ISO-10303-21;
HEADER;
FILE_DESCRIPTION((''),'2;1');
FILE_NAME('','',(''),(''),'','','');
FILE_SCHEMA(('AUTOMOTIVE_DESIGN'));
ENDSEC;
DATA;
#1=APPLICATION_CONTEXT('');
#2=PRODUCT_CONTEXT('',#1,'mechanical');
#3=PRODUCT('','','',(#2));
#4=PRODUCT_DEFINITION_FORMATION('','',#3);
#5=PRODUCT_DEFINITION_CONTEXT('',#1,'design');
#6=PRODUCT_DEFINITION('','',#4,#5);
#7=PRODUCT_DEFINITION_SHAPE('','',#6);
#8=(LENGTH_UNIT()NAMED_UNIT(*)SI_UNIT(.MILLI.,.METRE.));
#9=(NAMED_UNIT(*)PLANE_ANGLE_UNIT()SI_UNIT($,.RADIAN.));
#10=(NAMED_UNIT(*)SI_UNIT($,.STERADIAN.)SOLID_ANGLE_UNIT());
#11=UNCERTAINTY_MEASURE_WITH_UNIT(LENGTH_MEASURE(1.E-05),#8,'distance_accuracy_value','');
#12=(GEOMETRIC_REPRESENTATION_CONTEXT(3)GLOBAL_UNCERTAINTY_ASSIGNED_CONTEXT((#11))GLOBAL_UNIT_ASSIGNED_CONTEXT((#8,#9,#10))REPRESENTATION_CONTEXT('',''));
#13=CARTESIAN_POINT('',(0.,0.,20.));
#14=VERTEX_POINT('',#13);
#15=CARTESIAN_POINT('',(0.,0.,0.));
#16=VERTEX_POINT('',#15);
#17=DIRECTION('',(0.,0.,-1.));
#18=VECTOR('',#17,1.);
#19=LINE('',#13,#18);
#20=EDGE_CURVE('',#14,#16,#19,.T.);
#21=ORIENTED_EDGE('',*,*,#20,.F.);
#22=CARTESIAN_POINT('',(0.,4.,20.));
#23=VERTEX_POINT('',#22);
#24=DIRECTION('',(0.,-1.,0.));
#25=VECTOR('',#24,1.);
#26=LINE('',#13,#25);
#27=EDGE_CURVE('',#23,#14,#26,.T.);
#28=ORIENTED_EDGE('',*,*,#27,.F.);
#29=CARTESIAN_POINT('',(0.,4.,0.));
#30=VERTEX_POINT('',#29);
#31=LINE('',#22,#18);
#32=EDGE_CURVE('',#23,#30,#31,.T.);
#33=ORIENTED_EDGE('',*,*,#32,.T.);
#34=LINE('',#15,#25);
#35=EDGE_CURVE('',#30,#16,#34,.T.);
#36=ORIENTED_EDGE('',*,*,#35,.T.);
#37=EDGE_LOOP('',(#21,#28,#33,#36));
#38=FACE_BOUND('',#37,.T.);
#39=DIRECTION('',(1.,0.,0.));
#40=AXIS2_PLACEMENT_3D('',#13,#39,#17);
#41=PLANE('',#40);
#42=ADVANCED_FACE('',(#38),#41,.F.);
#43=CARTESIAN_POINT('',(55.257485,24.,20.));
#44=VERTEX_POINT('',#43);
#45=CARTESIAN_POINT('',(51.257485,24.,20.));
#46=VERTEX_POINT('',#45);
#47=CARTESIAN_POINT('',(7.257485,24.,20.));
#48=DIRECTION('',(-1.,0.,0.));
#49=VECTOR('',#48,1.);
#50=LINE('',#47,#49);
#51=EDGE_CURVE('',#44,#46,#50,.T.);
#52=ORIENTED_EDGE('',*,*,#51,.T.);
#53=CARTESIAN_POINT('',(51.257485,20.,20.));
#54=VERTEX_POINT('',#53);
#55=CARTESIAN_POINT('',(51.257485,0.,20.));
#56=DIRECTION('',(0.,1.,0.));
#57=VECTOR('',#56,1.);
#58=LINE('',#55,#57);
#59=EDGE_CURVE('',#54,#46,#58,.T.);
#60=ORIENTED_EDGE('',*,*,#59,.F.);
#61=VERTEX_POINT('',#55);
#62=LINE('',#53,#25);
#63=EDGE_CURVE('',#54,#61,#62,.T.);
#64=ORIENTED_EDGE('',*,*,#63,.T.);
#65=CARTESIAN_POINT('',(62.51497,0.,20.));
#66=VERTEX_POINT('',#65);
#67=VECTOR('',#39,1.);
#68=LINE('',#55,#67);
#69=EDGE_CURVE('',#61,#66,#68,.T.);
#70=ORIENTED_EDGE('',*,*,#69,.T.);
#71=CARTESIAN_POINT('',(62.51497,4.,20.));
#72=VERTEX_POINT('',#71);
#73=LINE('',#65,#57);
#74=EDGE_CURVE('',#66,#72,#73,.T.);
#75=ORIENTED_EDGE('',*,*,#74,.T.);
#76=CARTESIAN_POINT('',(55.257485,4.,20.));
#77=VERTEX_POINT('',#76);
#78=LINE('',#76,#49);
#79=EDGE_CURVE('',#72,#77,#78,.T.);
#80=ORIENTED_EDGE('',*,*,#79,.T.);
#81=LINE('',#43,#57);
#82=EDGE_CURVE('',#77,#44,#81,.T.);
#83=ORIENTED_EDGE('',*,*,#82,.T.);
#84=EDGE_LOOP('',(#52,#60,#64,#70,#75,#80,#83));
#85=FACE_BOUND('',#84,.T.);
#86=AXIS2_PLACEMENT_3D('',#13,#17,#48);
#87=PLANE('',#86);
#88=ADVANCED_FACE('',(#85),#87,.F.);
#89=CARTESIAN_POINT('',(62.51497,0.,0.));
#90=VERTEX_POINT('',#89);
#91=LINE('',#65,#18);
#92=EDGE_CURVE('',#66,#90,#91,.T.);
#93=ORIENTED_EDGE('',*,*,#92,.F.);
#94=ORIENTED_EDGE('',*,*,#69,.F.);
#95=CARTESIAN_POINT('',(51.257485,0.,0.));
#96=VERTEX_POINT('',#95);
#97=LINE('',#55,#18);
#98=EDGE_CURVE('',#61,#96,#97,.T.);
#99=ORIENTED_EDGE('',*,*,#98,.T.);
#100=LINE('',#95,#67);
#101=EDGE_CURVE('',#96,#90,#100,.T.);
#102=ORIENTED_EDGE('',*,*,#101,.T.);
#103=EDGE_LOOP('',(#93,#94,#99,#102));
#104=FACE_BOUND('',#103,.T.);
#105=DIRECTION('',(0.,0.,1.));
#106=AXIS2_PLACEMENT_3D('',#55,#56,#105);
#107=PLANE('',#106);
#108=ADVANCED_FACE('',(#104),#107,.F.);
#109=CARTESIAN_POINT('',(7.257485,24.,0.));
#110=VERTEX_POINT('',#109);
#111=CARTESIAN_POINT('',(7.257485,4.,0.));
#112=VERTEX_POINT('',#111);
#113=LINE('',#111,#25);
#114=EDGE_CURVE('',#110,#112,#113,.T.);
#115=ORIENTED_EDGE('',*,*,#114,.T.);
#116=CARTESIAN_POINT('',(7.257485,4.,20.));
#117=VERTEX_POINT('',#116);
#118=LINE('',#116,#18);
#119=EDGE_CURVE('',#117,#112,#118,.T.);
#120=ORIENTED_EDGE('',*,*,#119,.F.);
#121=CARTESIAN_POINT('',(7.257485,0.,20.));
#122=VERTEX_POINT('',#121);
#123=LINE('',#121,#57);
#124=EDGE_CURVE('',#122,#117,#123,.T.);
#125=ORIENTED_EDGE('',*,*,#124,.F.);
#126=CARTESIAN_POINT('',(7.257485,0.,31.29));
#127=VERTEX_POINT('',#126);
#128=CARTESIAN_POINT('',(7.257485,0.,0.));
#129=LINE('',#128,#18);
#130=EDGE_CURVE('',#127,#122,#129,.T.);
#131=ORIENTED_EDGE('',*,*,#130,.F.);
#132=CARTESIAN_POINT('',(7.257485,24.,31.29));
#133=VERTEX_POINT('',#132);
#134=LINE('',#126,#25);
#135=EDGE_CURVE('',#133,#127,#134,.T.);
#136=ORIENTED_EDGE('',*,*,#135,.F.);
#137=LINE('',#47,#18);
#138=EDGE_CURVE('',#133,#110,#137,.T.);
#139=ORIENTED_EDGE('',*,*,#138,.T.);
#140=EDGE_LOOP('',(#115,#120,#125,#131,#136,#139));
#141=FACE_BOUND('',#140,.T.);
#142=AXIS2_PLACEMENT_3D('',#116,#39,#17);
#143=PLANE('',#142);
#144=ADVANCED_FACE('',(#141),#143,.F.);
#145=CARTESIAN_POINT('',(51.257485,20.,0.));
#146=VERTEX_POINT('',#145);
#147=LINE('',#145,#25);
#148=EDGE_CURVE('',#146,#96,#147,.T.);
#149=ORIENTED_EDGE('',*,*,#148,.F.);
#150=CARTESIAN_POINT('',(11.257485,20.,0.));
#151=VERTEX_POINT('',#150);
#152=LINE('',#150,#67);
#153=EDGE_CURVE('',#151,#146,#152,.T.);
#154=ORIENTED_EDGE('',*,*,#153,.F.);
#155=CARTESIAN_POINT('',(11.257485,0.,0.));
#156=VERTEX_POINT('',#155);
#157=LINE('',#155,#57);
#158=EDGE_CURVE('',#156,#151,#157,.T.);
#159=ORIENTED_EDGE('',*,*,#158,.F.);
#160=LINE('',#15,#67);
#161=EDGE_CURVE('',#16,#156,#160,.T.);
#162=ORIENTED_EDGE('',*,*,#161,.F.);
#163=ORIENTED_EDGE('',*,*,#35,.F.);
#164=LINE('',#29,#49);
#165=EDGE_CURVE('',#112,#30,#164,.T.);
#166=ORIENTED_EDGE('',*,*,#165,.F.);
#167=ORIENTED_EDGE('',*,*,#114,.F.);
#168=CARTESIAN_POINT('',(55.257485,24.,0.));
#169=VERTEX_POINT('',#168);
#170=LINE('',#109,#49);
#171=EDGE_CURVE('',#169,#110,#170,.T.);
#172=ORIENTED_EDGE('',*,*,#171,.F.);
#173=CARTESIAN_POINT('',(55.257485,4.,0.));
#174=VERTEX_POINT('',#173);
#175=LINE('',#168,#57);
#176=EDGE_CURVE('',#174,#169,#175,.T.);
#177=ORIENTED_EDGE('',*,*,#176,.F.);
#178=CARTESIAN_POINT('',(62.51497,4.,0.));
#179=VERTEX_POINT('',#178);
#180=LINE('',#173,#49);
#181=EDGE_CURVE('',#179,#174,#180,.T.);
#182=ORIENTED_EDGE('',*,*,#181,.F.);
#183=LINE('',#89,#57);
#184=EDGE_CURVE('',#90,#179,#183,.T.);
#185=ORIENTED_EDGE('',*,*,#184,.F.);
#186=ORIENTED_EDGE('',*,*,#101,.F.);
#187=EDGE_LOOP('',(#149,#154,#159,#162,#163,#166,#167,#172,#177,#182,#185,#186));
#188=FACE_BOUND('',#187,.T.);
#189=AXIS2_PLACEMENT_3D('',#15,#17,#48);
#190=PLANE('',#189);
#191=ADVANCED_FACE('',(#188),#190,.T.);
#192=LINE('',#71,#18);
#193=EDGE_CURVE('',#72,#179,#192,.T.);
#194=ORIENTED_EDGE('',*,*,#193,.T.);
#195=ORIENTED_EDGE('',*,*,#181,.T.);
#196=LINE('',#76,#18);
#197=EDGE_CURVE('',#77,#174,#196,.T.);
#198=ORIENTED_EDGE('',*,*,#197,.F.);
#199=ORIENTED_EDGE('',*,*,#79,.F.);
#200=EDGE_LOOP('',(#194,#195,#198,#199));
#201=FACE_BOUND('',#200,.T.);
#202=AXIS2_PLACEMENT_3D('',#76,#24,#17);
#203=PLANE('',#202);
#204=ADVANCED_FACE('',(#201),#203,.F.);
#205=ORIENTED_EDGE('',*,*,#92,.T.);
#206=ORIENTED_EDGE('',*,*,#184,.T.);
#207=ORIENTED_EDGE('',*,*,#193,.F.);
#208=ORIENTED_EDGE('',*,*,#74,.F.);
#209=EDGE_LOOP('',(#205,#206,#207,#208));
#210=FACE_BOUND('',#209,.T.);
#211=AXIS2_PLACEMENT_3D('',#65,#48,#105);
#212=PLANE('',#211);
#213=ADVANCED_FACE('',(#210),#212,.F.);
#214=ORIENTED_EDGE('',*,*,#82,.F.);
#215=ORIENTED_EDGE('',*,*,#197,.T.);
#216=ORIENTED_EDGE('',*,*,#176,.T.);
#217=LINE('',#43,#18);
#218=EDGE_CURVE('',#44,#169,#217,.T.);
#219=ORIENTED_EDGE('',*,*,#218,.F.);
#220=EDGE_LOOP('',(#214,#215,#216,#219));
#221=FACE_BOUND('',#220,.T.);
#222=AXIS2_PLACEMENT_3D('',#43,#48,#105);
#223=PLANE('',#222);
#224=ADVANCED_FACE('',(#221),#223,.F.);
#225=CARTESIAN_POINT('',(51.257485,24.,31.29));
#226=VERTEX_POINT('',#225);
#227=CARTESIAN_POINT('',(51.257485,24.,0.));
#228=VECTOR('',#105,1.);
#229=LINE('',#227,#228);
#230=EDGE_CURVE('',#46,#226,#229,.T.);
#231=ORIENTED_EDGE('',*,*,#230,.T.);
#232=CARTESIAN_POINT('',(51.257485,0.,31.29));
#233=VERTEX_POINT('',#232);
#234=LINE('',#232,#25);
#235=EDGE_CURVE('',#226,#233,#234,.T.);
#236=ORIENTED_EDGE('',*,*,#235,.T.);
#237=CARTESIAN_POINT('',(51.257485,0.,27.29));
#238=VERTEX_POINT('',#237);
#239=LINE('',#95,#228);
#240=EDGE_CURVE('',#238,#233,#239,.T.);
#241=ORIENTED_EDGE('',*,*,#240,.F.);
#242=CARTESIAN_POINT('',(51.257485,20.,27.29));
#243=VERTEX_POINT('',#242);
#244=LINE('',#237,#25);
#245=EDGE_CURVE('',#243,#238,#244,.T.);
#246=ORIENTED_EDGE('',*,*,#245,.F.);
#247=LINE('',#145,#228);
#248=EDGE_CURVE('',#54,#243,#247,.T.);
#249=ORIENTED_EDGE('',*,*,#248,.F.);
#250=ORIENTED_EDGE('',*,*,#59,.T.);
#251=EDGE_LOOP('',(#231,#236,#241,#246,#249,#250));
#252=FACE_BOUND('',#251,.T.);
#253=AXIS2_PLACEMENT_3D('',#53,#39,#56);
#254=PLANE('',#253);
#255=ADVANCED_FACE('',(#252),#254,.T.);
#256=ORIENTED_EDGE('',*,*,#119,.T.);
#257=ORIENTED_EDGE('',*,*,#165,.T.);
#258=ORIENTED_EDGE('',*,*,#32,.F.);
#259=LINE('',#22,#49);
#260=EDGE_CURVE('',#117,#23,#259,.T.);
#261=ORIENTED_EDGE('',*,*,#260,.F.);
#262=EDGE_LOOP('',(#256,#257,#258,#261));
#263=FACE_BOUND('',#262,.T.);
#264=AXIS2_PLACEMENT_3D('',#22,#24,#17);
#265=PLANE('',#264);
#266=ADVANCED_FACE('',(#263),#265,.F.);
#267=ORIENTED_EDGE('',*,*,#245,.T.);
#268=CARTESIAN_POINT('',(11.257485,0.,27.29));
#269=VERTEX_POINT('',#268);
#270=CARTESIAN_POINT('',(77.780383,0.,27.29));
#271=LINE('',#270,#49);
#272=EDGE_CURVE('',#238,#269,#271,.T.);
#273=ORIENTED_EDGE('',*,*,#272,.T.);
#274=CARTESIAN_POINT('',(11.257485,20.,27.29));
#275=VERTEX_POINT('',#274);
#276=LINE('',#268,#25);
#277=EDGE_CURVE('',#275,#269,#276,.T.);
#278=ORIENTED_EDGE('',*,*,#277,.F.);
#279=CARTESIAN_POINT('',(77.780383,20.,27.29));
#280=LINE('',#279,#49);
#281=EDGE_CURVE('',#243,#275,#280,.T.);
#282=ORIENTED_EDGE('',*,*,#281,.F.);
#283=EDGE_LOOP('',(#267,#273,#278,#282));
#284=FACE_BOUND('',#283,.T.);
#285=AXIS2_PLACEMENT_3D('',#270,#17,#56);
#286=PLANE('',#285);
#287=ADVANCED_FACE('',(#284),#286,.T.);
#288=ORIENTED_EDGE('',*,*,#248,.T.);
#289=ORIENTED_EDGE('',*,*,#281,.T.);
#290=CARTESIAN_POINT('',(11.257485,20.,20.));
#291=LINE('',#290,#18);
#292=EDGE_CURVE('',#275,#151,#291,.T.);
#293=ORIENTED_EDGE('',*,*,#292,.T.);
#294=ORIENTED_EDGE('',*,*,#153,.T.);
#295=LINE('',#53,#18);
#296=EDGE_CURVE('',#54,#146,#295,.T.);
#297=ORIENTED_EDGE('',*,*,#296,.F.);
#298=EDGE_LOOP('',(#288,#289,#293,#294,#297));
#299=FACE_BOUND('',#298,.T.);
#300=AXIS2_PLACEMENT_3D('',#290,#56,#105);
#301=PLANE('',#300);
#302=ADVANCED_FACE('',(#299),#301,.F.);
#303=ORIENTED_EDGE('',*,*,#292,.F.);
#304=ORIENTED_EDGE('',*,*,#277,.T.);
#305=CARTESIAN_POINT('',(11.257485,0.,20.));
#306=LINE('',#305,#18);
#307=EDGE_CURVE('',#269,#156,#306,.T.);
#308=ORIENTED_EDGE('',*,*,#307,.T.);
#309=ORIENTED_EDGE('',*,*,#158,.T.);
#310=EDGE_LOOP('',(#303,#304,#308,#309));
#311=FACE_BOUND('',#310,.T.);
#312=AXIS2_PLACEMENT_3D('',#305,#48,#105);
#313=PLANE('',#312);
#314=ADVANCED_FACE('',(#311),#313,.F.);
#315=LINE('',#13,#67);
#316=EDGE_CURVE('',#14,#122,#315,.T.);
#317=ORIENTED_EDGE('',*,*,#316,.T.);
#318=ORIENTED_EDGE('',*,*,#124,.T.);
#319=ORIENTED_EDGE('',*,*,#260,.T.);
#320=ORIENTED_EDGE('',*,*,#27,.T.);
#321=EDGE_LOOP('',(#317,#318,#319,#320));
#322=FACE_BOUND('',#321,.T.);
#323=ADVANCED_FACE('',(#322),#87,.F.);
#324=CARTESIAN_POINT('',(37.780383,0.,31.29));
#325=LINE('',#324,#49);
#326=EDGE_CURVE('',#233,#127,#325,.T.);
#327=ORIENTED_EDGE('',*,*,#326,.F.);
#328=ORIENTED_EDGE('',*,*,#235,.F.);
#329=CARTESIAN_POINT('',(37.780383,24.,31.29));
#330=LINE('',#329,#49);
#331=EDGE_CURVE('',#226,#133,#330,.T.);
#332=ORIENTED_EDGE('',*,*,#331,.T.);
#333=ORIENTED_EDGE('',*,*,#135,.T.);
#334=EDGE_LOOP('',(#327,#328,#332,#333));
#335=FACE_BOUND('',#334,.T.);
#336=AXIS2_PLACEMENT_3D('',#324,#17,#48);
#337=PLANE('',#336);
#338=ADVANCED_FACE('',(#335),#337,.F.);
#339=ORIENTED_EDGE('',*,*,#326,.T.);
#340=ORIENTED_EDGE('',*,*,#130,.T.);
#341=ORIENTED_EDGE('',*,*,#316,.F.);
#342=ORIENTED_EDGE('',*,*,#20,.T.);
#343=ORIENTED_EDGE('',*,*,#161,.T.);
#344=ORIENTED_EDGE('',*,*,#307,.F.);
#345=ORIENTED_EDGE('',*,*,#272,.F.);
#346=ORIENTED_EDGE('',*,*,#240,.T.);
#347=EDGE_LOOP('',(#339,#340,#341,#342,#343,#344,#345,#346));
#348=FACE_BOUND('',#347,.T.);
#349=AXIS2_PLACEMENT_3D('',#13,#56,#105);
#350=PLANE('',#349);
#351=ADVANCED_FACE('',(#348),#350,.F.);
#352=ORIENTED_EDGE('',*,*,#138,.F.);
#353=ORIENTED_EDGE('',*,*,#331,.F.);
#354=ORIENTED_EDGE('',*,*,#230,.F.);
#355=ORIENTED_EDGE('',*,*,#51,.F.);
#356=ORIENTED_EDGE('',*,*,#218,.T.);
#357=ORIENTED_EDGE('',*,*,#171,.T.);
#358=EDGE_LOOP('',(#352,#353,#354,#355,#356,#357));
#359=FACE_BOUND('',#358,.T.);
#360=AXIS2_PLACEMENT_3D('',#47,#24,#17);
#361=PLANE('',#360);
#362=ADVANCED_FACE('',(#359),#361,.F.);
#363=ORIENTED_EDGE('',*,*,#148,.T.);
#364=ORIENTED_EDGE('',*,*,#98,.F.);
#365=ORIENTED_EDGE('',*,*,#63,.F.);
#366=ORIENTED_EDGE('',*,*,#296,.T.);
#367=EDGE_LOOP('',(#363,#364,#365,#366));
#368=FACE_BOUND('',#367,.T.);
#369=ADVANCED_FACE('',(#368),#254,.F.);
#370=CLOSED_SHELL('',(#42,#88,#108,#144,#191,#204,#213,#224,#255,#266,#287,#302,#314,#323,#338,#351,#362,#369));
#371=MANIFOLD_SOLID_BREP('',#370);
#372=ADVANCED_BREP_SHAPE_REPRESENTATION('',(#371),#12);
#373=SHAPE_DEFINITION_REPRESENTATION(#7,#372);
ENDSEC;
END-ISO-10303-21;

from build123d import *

# Parameters (mm, degrees)
BOSS_EXTRUDE1_DEPTH = 20
BOSS_EXTRUDE2_DEPTH = 4
BOSS_EXTRUDE3_DEPTH = 44


with BuildPart() as part:
    # Sketch1 → Boss-Extrude1 (new body)
    with BuildSketch(Plane.XY):
        Polygon((0, 0), (11.25748503, 0), (11.25748503, 20), (51.25748503, 20), (51.25748503, 0), (62.51497006, 0), (62.51497006, 4), (55.25748503, 4), (55.25748503, 24), (7.25748503, 24), (7.25748503, 4), (0, 4), align=None)
    extrude(amount=BOSS_EXTRUDE1_DEPTH)

    # Sketch2 → Boss-Extrude2 (add)
    with BuildSketch(Plane.ZY.offset(-7.25748503)):
        Polygon((27.29, 20), (20, 20), (20, 4), (20, 0), (27.29, 0), align=None)
        Polygon((20, 24), (20, 20), (27.29, 20), (27.29, 0), (31.29, 0), (31.29, 24), align=None)
    extrude(amount=-BOSS_EXTRUDE2_DEPTH)

    # Sketch2<3> → Boss-Extrude3 (add)
    with BuildSketch(Plane.ZY.offset(-7.25748503)):
        Polygon((20, 24), (20, 20), (27.29, 20), (27.29, 0), (31.29, 0), (31.29, 24), align=None)
    extrude(amount=-BOSS_EXTRUDE3_DEPTH)


solid = part.part
